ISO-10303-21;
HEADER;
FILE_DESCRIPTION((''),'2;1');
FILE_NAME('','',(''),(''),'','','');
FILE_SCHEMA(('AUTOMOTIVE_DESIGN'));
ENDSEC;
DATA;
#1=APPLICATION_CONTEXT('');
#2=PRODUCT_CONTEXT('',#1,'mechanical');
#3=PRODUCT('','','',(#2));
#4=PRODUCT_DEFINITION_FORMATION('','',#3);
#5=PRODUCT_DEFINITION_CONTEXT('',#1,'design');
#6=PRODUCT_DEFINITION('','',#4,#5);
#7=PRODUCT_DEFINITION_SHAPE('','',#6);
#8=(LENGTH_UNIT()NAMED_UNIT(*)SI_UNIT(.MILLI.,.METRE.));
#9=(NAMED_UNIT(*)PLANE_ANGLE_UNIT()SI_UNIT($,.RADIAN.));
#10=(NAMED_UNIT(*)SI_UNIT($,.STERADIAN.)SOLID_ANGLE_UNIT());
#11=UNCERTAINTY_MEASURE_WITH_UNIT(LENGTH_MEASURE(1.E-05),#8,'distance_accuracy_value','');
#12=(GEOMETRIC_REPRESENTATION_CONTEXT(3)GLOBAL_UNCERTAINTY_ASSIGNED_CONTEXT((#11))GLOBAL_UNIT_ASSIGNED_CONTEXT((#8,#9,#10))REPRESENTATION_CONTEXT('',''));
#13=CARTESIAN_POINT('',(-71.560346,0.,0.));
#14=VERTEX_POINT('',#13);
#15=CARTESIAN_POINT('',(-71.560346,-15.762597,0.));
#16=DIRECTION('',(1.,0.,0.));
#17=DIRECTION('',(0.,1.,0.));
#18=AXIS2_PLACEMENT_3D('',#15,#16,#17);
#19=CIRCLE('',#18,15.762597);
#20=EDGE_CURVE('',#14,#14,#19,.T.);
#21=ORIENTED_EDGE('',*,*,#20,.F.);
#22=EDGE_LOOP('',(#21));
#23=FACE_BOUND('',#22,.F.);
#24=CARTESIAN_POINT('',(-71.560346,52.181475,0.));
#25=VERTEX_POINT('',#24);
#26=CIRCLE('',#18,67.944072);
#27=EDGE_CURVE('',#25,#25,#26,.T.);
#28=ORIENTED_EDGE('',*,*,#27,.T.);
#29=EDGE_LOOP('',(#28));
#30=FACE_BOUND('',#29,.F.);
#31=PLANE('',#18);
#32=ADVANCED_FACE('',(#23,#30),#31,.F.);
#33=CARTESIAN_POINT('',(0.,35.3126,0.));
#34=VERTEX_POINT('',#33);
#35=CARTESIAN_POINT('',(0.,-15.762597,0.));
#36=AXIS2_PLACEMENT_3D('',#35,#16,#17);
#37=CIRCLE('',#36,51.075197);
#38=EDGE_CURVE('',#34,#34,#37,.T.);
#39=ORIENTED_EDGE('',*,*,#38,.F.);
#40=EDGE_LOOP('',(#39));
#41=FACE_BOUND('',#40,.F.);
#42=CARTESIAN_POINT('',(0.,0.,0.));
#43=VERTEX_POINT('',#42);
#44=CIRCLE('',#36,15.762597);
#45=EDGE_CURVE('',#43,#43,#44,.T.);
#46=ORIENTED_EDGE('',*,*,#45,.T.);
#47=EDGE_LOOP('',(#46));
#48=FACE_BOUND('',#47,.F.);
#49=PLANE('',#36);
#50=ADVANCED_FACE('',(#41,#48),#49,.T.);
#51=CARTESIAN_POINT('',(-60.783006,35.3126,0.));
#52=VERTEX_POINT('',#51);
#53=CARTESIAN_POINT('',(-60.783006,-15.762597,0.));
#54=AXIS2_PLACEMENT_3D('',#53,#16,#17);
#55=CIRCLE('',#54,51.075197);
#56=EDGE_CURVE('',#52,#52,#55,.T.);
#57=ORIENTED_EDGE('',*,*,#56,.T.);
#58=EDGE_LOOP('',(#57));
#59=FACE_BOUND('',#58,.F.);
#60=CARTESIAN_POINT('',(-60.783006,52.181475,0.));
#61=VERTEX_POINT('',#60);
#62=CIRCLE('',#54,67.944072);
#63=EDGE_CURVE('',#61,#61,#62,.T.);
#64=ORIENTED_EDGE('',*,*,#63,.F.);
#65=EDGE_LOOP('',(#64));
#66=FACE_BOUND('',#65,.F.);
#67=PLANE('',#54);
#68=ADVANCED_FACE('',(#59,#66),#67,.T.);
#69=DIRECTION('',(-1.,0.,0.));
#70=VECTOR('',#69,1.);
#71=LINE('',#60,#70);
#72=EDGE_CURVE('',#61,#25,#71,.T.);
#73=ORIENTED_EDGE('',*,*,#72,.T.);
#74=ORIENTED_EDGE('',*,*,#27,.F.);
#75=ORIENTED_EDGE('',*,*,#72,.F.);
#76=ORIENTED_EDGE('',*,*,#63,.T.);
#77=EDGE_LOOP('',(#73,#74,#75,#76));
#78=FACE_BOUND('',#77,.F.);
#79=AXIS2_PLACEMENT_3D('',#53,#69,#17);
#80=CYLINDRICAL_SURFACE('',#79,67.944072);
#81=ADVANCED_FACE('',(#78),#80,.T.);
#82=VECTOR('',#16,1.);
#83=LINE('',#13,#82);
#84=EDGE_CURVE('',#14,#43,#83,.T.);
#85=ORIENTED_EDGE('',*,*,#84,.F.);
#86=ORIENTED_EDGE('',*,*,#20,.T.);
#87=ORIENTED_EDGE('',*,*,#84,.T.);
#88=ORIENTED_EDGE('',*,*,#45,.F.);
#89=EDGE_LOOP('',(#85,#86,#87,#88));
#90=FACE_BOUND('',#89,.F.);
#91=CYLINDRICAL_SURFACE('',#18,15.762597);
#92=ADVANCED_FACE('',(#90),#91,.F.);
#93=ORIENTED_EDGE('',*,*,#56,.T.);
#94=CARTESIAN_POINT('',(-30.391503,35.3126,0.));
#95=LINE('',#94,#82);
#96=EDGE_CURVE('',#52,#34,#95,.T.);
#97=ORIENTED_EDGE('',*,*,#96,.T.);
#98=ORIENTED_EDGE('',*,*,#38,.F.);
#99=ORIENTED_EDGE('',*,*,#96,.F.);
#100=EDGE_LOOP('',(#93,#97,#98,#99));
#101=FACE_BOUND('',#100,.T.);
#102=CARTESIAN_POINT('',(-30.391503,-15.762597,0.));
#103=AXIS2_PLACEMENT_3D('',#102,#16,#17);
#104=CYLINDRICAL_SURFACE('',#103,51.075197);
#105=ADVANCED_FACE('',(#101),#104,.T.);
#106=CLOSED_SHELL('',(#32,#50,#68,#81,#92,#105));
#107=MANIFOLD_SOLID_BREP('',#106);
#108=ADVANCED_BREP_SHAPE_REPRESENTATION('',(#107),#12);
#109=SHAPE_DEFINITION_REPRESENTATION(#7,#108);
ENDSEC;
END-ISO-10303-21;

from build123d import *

# Parameters (mm, degrees)
F0_W = 60.783006
F0_H = 35.3126


with BuildPart() as f1:
    # F0 (on Top) → F1 (revolve)
    with BuildSketch(Plane.XY):
        with Locations((-30.391503, 17.6563)):
            Rectangle(F0_W, F0_H)
        Polygon((-71.560346, 0), (-62.423036, 0), (-60.783006, 0), (-60.783006, 35.3126), (-60.783006, 52.181475), (-71.560346, 52.181475), align=None)
    revolve(axis=Axis((-0.921935, -15.762597, 0), (1, 0, 0)))


solid = f1.part
